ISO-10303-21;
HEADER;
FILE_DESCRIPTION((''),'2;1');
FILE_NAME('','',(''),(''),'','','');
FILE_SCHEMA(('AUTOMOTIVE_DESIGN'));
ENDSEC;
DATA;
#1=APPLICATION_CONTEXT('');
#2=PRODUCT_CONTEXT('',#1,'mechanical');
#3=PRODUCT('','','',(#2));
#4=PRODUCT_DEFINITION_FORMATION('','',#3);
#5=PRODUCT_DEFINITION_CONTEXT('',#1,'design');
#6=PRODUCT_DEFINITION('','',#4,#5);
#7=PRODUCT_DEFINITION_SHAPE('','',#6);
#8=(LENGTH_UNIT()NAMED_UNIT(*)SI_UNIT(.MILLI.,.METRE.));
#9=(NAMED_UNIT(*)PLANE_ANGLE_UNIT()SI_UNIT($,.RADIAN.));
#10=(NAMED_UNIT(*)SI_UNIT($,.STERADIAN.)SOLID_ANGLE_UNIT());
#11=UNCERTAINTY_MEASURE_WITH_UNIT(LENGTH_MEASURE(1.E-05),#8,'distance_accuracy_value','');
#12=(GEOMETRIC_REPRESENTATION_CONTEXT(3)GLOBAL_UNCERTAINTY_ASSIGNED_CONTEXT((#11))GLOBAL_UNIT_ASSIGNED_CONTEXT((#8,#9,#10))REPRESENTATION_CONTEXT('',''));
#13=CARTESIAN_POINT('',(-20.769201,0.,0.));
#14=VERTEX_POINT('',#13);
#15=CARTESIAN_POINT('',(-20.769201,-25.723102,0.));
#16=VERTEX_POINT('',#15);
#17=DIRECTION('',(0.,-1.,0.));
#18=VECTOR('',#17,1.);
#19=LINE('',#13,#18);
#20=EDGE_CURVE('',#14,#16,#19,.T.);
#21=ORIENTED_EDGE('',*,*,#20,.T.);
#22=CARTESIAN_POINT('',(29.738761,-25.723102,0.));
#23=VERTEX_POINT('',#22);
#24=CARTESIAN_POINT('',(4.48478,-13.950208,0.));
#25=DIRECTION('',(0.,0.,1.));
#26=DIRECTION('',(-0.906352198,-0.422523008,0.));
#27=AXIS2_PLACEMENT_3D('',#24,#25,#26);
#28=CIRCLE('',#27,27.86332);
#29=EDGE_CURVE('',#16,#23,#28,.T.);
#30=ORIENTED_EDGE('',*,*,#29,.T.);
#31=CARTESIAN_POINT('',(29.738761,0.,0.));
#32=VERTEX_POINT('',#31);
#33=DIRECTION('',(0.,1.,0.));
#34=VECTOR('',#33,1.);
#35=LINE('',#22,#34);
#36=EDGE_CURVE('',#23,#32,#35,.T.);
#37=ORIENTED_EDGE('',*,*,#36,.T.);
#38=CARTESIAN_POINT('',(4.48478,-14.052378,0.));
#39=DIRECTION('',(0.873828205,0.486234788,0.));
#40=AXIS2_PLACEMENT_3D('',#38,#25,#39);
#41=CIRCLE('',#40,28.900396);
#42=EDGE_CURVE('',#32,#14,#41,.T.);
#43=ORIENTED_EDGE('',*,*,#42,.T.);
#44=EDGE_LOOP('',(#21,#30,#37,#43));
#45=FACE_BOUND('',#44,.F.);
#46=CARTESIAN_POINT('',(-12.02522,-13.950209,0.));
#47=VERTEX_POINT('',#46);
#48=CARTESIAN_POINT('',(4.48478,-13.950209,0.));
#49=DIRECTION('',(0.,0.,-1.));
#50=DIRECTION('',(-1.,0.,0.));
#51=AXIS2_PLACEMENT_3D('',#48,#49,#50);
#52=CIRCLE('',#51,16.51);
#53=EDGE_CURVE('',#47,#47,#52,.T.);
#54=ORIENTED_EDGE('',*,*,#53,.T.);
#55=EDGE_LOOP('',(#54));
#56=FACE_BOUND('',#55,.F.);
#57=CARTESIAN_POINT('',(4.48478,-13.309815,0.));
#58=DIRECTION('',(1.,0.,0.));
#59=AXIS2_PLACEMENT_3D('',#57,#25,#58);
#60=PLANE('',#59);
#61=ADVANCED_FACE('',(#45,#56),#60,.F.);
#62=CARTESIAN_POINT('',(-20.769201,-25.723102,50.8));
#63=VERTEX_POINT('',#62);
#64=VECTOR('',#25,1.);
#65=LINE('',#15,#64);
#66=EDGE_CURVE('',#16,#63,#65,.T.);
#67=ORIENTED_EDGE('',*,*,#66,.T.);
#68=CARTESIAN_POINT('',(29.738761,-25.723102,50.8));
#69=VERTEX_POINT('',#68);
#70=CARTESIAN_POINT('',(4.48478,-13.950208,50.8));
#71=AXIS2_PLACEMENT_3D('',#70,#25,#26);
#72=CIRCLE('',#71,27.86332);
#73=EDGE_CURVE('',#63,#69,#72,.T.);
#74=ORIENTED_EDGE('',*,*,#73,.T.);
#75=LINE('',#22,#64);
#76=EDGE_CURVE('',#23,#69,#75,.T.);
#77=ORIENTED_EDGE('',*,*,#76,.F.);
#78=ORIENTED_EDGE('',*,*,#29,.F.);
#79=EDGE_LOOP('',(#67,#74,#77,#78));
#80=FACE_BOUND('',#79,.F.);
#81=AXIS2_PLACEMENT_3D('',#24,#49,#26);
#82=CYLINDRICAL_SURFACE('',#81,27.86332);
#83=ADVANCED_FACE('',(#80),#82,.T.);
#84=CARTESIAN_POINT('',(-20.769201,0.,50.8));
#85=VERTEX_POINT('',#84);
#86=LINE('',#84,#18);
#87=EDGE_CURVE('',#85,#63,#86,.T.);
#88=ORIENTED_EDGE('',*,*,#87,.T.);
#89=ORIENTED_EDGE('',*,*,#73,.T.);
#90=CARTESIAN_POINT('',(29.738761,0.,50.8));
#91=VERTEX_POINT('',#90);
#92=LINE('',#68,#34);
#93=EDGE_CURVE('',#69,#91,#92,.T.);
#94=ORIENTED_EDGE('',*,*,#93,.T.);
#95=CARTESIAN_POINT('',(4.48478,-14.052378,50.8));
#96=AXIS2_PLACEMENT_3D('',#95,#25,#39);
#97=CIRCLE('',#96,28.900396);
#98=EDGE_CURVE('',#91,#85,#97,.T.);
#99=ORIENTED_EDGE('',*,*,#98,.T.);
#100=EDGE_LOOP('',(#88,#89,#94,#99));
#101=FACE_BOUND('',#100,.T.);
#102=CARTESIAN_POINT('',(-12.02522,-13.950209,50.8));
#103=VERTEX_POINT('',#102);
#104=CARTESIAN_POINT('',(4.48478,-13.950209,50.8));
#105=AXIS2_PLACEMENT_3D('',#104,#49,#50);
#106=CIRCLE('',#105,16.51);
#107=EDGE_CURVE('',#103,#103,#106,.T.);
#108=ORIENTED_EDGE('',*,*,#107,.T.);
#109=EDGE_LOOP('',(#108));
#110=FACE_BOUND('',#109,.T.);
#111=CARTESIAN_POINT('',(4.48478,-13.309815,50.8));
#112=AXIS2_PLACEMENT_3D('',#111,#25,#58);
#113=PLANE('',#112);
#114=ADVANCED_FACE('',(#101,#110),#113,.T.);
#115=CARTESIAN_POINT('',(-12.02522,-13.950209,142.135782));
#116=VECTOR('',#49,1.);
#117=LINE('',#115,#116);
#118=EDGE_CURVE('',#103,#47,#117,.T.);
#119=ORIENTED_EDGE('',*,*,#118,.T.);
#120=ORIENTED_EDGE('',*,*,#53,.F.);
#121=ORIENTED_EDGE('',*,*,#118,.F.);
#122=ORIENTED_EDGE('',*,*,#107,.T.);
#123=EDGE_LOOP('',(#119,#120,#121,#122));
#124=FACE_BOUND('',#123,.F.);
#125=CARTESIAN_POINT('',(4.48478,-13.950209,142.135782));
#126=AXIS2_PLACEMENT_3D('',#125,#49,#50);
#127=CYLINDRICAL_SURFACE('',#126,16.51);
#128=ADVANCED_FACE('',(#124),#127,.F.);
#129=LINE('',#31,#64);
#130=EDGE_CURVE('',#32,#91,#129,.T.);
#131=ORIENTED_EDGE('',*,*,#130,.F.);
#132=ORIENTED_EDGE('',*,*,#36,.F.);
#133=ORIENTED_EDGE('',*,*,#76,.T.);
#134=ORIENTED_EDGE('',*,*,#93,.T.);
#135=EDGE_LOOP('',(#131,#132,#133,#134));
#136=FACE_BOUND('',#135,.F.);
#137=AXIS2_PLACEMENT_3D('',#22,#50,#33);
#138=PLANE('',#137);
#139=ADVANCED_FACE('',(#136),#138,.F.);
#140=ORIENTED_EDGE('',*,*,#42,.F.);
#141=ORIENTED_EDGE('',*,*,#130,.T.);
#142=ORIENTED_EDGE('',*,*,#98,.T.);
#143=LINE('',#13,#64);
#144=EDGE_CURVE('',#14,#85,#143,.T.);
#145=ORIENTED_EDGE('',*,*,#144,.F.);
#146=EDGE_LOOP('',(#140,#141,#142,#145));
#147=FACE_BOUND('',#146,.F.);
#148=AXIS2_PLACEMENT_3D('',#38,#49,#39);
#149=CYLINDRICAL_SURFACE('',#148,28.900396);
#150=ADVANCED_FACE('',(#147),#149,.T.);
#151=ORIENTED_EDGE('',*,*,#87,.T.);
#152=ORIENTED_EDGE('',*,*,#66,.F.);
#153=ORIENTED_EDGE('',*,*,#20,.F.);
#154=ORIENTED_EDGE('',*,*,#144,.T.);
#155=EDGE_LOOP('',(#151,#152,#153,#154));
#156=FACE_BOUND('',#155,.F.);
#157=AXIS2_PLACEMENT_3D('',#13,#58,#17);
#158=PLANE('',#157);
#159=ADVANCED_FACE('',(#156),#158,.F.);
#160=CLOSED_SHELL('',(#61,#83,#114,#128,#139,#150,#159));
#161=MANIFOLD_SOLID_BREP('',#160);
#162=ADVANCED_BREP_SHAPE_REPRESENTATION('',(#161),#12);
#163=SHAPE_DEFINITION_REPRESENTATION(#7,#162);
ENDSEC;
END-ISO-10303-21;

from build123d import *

# Parameters (mm, degrees)
F1_DEPTH = 50.8
F3_D     = 33.02


with BuildPart() as f1:
    # F0 (on Top) → F1 (new body)
    with BuildSketch(Plane.XY):
        with BuildLine():
            Line((29.738761, -25.723102), (29.738761, 0))
            ThreePointArc((29.738761, 0), (4.48478, 14.848018), (-20.769201, 0))
            Line((-20.769201, 0), (-20.769201, -25.723102))
            ThreePointArc((-20.769201, -25.723102), (4.48478, -41.813528), (29.738761, -25.723102))
        make_face()
    extrude(amount=F1_DEPTH)

    # F3 (through all)
    with Locations(Plane.XY.offset(50.8)):
        with Locations((4.48478, -13.950209)):
            Hole(F3_D / 2)


solid = f1.part
